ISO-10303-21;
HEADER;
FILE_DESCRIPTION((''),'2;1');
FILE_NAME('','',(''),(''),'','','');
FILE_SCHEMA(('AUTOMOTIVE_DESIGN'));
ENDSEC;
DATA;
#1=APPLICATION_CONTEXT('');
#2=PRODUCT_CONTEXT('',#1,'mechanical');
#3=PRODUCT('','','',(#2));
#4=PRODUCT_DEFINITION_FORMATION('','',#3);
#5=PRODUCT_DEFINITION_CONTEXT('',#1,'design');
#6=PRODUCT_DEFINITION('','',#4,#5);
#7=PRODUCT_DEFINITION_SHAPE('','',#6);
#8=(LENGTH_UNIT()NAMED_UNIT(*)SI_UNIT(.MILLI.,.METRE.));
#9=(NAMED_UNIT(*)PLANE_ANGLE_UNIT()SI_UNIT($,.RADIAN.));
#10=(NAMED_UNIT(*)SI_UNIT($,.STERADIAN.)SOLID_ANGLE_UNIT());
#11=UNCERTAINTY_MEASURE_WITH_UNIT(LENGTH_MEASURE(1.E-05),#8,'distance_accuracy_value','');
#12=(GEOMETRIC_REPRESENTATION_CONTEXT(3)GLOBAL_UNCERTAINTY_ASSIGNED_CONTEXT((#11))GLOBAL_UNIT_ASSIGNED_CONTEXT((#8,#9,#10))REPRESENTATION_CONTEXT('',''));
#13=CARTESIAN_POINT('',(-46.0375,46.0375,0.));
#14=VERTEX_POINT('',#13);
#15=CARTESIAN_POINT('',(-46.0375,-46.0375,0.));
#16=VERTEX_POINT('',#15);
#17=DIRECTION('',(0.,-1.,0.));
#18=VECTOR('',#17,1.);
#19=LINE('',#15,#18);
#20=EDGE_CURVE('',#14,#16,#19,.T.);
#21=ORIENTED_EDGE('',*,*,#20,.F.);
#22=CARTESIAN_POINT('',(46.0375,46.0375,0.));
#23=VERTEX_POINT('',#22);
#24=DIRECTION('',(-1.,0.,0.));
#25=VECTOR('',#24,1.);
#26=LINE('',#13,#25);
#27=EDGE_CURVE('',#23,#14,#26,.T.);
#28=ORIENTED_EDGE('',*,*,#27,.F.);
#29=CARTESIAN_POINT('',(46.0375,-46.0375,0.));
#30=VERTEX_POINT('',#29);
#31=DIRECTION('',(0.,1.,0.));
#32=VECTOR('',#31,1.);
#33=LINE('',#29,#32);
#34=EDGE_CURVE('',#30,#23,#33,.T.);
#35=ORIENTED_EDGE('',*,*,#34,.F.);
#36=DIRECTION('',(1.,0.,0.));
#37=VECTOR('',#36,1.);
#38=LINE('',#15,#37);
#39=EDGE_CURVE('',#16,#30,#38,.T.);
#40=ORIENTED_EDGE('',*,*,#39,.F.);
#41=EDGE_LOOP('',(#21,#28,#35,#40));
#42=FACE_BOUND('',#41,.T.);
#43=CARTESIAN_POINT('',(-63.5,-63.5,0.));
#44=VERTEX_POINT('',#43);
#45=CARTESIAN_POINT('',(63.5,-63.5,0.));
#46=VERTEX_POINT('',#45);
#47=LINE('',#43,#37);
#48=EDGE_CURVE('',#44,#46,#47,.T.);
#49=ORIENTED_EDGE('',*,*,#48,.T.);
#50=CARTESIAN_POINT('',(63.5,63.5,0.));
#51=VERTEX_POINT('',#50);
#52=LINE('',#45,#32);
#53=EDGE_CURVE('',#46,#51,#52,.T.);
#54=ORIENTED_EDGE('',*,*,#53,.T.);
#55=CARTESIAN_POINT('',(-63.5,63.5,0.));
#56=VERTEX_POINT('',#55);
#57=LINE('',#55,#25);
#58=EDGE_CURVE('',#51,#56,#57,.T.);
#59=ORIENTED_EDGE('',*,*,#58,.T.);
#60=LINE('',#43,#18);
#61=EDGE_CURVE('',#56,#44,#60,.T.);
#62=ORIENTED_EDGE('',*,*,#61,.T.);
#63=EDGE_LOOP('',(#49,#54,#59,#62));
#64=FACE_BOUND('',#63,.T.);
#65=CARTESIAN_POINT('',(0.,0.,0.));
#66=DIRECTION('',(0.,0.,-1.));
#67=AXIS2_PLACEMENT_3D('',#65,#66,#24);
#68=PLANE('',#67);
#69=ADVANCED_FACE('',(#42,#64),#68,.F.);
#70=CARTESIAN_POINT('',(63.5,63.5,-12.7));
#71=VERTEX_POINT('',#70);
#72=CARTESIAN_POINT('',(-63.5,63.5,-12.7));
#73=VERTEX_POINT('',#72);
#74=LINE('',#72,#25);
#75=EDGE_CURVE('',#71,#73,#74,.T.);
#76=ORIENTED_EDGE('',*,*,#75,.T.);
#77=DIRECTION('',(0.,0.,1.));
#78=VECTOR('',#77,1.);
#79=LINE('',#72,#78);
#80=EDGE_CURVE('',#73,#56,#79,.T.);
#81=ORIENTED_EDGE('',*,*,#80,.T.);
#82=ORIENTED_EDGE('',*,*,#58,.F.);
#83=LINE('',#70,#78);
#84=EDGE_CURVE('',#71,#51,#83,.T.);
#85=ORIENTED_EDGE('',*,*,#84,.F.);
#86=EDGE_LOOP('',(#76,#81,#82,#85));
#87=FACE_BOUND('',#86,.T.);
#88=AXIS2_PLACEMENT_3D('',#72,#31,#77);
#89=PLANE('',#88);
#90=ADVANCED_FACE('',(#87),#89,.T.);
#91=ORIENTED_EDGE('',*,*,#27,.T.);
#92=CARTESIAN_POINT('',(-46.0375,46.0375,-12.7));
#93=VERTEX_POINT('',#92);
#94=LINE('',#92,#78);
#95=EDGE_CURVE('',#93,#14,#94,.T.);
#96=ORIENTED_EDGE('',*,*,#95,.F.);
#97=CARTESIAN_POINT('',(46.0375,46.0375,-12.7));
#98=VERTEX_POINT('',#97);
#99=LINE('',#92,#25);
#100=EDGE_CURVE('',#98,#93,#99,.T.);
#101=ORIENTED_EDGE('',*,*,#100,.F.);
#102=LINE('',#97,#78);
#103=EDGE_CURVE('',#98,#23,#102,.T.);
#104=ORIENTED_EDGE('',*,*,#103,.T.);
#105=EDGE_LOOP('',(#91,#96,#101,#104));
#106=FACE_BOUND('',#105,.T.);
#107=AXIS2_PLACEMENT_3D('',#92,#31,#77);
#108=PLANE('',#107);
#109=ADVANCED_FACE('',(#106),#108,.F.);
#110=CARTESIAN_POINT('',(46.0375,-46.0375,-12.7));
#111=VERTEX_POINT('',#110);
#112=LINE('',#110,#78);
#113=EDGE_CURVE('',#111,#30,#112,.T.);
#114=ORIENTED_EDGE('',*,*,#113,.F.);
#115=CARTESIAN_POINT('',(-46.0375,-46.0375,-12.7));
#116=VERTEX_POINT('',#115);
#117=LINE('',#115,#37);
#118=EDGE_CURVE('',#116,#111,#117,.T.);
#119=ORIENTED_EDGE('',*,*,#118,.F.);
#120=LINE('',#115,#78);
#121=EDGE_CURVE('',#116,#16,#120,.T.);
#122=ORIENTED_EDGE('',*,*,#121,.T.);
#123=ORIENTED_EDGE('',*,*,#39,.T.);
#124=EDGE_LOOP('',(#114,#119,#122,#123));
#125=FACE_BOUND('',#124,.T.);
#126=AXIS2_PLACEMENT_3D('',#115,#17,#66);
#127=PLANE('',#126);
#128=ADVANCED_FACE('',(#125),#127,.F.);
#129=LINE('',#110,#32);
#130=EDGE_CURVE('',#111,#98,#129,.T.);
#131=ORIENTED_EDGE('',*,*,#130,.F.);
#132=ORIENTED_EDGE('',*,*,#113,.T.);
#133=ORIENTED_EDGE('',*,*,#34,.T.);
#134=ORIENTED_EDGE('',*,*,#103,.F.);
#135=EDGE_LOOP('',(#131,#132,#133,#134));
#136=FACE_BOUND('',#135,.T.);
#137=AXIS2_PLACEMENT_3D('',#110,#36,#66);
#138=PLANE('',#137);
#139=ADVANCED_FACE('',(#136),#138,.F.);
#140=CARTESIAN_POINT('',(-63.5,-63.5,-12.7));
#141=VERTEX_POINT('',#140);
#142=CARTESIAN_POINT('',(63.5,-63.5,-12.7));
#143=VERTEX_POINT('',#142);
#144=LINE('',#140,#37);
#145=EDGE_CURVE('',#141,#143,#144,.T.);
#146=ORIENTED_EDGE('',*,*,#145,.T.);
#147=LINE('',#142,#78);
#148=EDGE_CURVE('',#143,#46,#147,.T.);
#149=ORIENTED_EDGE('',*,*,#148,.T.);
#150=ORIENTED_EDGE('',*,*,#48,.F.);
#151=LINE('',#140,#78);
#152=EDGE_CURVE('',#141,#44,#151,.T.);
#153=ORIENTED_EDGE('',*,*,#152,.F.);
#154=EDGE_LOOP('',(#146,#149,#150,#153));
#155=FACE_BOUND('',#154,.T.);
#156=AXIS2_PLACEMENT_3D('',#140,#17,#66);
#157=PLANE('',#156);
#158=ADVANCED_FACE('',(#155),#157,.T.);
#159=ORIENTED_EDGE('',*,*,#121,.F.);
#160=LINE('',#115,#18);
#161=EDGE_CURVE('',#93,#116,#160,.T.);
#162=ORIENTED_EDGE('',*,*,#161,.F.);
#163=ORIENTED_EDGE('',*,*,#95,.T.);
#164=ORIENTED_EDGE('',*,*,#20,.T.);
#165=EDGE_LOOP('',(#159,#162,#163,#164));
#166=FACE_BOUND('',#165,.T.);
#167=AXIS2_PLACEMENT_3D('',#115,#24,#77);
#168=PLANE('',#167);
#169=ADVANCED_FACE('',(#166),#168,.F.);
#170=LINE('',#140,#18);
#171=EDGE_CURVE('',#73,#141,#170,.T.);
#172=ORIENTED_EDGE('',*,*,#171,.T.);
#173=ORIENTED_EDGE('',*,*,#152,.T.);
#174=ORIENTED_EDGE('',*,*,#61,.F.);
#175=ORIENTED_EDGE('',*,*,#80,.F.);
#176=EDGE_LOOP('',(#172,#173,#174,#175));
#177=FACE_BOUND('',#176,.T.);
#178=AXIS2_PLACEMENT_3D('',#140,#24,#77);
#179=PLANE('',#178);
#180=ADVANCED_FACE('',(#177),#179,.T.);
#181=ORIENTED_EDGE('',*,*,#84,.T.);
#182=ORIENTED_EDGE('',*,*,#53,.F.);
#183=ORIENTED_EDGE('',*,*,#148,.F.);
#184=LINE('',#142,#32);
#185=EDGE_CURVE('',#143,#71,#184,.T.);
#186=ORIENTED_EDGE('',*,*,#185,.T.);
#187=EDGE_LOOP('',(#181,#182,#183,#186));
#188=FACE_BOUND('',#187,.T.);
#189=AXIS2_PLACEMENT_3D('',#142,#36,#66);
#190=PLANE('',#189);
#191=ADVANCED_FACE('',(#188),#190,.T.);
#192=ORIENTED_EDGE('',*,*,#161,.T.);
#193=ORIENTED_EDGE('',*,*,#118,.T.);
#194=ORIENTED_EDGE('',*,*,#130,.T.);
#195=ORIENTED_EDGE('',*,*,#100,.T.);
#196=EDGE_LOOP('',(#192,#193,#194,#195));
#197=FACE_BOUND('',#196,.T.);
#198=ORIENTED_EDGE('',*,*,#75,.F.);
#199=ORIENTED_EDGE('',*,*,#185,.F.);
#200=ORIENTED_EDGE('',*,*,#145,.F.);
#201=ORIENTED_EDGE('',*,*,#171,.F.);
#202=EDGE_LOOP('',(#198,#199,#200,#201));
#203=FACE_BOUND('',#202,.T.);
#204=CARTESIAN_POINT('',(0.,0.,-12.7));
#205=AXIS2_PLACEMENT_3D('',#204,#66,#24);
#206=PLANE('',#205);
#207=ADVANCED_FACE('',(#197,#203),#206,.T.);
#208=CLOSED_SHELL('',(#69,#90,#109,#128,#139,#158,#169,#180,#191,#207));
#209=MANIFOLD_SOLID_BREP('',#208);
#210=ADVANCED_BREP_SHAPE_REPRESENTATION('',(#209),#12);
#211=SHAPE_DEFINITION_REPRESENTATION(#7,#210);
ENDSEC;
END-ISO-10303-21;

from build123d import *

# Parameters (mm, degrees)
SKETCH1_W           = 127
SKETCH1_H           = 127
SKETCH1_W_2         = 92.075
SKETCH1_H_2         = 92.075
BOSS_EXTRUDE1_DEPTH = 12.7


with BuildPart() as part:
    # Sketch1 → Boss-Extrude1 (new body)
    with BuildSketch(Plane.XY):
        Rectangle(SKETCH1_W, SKETCH1_H)
        Rectangle(SKETCH1_W_2, SKETCH1_H_2, mode=Mode.SUBTRACT)
    extrude(amount=-BOSS_EXTRUDE1_DEPTH)


solid = part.part
